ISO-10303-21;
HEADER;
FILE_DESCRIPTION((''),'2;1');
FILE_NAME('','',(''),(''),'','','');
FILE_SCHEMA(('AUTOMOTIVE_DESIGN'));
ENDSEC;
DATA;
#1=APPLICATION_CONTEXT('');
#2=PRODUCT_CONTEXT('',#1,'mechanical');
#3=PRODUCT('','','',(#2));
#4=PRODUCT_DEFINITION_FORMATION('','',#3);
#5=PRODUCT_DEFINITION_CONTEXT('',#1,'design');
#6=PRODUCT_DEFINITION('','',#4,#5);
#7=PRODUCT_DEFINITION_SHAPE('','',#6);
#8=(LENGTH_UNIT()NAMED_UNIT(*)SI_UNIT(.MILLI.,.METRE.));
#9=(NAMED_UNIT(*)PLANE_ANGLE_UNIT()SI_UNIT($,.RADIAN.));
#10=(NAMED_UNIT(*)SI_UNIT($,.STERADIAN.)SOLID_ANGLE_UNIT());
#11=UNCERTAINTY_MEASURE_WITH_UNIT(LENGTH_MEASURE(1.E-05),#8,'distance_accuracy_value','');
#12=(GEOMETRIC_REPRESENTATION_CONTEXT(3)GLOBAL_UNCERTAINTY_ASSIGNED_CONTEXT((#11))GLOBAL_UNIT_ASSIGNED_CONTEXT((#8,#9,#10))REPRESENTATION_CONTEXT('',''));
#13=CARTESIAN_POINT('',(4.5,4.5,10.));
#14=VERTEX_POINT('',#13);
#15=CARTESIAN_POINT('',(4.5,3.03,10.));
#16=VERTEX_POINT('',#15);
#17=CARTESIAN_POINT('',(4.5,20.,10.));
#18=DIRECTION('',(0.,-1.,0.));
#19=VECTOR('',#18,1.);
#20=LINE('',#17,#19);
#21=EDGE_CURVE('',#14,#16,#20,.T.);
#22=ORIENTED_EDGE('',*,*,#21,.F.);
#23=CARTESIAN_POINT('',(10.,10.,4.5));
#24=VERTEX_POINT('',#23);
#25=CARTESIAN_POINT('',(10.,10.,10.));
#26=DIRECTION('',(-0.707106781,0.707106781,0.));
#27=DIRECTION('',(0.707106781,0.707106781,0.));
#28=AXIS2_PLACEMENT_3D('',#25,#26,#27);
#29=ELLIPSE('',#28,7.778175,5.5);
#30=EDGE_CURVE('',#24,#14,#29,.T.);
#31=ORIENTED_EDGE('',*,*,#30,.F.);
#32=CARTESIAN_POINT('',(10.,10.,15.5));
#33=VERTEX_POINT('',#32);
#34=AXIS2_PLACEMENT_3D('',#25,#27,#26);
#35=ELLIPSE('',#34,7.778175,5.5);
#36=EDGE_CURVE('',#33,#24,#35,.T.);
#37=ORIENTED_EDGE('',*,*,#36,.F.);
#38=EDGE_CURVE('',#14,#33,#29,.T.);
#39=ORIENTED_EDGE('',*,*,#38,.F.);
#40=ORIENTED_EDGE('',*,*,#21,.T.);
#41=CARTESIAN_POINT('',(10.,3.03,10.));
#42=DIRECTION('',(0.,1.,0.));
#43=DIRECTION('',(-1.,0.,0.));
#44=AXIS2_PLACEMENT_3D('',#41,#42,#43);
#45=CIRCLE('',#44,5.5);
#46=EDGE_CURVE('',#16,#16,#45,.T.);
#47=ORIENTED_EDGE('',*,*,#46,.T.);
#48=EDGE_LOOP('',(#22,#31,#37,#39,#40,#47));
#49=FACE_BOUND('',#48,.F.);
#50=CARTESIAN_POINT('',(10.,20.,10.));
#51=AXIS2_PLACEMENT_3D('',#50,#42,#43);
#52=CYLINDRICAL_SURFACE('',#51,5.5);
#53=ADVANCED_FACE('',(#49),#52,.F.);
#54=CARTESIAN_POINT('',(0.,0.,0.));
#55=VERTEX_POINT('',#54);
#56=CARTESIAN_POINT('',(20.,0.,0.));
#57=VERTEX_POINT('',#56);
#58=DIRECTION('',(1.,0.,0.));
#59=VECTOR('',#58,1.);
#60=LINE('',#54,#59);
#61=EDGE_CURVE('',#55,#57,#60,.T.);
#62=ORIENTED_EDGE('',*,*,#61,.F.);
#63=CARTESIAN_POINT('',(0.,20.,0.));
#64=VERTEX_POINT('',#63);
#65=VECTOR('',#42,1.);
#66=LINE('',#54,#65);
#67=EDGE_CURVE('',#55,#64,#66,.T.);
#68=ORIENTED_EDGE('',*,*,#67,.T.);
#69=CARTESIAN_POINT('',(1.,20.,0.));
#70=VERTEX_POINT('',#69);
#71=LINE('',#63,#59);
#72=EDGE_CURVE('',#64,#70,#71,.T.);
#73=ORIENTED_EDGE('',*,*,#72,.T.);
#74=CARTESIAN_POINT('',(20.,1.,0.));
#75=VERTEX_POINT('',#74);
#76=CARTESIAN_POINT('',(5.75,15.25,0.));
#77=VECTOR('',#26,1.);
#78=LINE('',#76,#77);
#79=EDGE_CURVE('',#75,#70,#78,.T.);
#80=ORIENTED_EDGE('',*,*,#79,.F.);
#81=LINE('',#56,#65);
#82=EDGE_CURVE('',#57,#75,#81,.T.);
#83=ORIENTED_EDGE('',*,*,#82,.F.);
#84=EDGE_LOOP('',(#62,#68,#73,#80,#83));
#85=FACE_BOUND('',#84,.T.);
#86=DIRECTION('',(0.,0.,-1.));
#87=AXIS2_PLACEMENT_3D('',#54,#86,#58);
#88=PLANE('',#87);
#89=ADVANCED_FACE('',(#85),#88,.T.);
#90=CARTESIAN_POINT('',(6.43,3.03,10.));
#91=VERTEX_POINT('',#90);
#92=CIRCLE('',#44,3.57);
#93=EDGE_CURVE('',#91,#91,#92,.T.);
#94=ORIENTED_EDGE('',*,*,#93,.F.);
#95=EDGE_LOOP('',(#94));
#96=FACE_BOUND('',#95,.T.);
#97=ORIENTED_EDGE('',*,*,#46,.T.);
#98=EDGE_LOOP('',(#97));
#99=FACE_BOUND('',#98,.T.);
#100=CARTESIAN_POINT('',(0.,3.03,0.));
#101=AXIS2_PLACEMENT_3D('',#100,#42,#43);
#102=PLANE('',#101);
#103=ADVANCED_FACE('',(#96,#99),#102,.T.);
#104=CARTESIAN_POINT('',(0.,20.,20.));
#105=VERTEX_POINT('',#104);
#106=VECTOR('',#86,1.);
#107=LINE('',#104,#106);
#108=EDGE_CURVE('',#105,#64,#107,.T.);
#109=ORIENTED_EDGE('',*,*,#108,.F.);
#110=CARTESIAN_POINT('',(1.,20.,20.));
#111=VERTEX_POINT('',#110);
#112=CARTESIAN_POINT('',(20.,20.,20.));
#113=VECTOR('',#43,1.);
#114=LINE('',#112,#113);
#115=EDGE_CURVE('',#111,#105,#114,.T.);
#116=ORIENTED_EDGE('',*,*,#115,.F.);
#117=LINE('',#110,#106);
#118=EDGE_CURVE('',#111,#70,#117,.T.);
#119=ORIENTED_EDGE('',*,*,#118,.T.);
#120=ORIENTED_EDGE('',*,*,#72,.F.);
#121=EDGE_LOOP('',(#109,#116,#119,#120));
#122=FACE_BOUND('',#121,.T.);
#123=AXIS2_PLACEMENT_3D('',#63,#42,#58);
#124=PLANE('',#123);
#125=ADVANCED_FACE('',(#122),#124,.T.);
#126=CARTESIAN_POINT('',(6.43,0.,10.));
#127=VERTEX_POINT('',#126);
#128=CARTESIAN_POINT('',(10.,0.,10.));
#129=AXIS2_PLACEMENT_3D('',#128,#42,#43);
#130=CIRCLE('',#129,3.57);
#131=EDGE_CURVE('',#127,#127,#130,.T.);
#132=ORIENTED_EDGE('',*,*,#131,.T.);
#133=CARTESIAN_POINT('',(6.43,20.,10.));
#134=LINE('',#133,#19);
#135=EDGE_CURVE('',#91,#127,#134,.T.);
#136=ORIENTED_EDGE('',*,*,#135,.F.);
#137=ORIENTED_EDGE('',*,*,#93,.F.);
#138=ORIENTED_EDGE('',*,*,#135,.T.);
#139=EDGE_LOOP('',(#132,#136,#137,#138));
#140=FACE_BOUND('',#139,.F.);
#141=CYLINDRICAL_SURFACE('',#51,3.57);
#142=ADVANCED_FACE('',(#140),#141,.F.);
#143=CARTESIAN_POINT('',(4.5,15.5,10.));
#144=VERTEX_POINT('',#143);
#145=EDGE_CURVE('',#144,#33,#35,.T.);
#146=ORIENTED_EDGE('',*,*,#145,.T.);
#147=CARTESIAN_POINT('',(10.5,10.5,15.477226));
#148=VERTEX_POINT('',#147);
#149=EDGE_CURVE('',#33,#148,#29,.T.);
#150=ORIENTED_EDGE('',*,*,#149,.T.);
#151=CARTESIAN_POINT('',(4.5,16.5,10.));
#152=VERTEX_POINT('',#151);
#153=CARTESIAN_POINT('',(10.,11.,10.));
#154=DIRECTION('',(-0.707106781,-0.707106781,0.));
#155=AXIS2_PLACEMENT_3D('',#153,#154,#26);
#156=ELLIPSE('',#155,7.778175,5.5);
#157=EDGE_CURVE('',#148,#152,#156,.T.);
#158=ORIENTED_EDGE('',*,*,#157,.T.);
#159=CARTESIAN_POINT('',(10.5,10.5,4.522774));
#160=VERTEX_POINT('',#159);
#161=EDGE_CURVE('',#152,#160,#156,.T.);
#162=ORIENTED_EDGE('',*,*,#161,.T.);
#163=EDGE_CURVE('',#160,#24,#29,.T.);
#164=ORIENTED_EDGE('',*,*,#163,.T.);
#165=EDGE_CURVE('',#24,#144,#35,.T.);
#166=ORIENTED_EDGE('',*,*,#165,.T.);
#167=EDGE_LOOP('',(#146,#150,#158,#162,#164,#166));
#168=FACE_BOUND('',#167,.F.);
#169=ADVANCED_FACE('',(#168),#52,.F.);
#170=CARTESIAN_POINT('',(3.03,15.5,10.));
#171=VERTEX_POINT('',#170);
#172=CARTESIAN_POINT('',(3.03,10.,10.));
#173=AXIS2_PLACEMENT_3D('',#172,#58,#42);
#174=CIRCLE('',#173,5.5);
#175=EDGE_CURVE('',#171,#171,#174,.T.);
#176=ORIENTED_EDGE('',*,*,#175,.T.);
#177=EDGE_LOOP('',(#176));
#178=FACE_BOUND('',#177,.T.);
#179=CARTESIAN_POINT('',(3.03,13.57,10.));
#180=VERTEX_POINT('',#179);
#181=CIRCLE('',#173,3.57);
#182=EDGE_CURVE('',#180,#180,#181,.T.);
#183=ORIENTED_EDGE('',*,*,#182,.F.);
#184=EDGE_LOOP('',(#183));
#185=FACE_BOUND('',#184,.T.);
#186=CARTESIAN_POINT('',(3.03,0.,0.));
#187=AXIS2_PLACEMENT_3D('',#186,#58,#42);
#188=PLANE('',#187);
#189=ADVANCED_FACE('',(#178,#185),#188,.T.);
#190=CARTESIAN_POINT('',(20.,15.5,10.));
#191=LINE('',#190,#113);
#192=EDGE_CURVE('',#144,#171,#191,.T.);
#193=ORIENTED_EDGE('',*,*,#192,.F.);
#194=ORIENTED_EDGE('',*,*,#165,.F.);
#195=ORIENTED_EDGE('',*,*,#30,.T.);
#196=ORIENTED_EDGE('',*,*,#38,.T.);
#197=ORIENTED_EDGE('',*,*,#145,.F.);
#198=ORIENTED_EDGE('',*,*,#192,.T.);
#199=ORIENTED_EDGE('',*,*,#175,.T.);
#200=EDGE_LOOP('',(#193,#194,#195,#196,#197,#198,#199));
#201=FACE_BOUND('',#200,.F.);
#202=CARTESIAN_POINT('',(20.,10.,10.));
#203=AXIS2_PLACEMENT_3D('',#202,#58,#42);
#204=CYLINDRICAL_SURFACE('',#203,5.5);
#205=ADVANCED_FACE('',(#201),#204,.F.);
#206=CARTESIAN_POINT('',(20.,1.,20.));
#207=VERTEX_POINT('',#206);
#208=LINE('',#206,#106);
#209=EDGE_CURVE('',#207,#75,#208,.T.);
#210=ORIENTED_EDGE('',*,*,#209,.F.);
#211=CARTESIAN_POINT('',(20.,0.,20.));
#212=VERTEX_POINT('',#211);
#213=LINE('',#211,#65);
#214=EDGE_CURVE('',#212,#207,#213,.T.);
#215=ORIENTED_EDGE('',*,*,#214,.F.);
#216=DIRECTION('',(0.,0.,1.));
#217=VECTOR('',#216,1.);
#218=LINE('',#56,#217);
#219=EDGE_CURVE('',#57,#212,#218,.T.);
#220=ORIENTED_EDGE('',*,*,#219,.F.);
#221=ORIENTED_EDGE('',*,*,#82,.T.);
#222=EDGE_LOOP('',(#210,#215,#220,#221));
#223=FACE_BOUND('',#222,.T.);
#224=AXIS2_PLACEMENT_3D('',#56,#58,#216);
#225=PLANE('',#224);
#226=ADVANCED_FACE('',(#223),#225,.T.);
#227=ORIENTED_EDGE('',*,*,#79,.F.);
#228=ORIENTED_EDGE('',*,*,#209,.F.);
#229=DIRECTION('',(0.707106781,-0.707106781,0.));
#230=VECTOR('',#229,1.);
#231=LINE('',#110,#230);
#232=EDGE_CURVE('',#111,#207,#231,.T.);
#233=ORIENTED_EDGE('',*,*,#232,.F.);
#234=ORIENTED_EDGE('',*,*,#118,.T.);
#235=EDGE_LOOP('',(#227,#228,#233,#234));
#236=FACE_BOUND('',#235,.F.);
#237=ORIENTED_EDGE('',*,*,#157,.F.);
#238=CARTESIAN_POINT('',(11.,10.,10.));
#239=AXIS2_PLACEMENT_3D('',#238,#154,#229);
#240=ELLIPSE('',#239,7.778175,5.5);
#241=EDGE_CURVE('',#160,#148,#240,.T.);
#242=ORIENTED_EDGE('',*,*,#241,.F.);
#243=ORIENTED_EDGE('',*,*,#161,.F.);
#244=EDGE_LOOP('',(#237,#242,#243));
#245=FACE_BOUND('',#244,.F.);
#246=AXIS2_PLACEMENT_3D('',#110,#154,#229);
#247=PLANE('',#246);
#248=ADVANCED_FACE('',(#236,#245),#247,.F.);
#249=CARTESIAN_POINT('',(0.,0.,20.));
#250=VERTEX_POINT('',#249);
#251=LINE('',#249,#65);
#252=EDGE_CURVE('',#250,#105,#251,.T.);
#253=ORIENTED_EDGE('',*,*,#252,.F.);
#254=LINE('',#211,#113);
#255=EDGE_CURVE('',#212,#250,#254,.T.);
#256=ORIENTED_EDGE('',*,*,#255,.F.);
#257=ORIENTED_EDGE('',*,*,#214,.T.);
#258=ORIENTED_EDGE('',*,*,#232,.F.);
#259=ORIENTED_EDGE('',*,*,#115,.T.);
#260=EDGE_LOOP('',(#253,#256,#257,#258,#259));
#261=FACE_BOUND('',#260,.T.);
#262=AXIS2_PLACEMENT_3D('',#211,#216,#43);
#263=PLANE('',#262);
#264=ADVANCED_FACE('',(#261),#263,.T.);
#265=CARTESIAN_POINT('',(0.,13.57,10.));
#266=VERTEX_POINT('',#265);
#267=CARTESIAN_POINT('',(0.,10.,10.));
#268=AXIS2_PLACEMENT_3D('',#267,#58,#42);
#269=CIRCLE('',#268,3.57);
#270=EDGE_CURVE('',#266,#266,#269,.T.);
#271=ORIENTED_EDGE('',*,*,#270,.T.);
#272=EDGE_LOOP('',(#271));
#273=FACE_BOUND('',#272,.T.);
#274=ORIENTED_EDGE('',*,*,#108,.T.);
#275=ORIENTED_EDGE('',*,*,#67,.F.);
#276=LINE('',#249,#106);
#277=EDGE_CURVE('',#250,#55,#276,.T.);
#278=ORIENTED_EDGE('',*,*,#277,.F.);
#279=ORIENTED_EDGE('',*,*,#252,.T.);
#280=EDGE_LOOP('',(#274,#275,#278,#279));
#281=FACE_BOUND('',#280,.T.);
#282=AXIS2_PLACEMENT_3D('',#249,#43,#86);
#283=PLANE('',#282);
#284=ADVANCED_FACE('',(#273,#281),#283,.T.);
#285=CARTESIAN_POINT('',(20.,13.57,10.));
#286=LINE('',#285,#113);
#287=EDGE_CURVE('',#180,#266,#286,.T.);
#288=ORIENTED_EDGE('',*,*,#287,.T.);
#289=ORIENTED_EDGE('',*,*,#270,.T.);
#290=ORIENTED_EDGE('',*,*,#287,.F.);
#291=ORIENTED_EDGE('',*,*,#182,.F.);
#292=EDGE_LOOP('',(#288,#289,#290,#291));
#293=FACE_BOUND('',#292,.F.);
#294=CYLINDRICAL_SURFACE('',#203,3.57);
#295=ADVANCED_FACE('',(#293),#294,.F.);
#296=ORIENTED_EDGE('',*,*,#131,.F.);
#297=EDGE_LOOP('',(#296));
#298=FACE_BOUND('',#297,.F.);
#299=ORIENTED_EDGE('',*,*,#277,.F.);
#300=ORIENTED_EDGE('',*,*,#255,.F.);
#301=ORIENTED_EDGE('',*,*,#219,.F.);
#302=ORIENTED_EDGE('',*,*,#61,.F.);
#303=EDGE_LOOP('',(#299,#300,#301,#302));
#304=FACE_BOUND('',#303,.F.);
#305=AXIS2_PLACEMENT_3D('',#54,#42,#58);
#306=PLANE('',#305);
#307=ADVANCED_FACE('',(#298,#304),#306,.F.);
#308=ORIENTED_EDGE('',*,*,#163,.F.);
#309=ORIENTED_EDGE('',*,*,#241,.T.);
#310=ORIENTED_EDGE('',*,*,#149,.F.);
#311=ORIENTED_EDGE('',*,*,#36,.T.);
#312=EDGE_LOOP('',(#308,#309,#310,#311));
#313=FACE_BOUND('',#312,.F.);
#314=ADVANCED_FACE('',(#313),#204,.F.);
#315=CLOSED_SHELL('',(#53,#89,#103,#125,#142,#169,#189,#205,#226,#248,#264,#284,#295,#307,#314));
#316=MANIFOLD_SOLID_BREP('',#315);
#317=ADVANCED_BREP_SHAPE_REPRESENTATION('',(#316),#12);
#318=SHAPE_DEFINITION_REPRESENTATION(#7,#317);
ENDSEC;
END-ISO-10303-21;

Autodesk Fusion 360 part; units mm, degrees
sketch "Sketch1" plane through (0, 0, 0) normal (0, 1, 0) x (1, 0, 0)
  line L0 (0, 0) -> (20, 0)
  line L1 (20, 0) -> (20, -20)
  line L2 (20, -20) -> (0, -20)
  line L3 (0, -20) -> (0, 0)
  dimension "d2" = 20
  dimension "d3" = 20
extrude "Extrude4" add sketch "Sketch1" along normal blind 20 makes body 1
extrude "Extrude1" add sketch "Sketch1" along normal blind 20 separate body makes body 2
sketch "Sketch2" plane through (0, 20, 0) normal (0, 1, 0) x (-1, 0, 0)
  line L0 (0, 20) -> (-20, 20)
  line L1 (-20, 20) -> (-20, 0)
  line L2 (-20, 0) -> (0, 0)
  line L3 (0, 0) -> (0, 20)
  line L4 (-20, 20) -> (0, 0) construction
  line L5 (0, 20) -> (-20, 0) construction
  circle A0 centre (-10, 10) radius 3.57
  circle A1 centre (-10, 10) radius 5.5
  dimension "d6" = 7.14
  dimension "d19" = 11
sketch "Sketch5" plane through (0, 0, 0) normal (-1, 0, 0) x (0, -1, 0)
  line L0 (0, 0) -> (0, 20)
  line L1 (0, 20) -> (-20, 20)
  line L2 (-20, 20) -> (-20, 0)
  line L3 (-20, 0) -> (0, 0)
sketch "Sketch6" plane through (20, 0, 0) normal (1, 0, 0) x (0, 1, 0)
  line L0 (0, 20) -> (0, 0)
  line L1 (0, 0) -> (20, 0)
  line L2 (20, 0) -> (20, 20)
  line L3 (20, 20) -> (0, 20)
  line L4 (0, 20) -> (20, 0) construction
  line L5 (20, 20) -> (0, 0) construction
  circle A0 centre (10, 10) radius 3.57
  circle A1 centre (10, 10) radius 5.5
  dimension "d14" = 7.14
  dimension "d20" = 11
extrude "Extrude5" cut sketch "Sketch6" against normal blind 20 contours A0 bodies 1 2
extrude "Extrude6" cut sketch "Sketch2" against normal blind 20 contours A0 bodies 1 2
extrude "Extrude7" cut sketch "Sketch2" against normal blind 16.97 contours A1 bodies 1 2
extrude "Extrude8" cut sketch "Sketch6" against normal blind 16.97 contours A1 bodies 1 2
sketch "Sketch8" plane through (0, 0, 20) normal (0, 0, 1) x (-1, 0, 0)
  line L0 (0, 0) -> (-20, 0)
  line L1 (-20, 0) -> (-20, -20)
  line L2 (-20, -20) -> (0, -20)
  line L3 (0, -20) -> (0, 0)
  line L4 (-20, 0) -> (-19, 0)
  line L5 (0, -20) -> (0, -19)
  line L6 (-20, 0) -> (-20, -1)
  line L7 (0, -20) -> (-1, -20)
  line L8 (-1, -20) -> (-20, -1)
  dimension "d27" = 1
  dimension "d28" = 1
  dimension "d29" = 1
  dimension "d30" = 1
extrude "Extrude9" cut sketch "Sketch8" against normal blind 21 contours L1 L2 L8 bodies 1 2
sketch "Sketch3" plane through (0, 0, 0) normal (1, 0, 0) x (0, 1, 0)
sketch "Sketch4" plane through (0, 0, 0) normal (-1, 0, 0) x (0, -1, 0)
  line L0 (0, 0) -> (0, 20)
  line L1 (0, 20) -> (-20, 20)
  line L2 (-20, 20) -> (-20, 0)
  line L3 (-20, 0) -> (0, 0)
  line L4 (0, 0) -> (-20, 20) construction
  line L5 (0, 20) -> (-20, 0) construction
  circle A0 centre (-10, 10) radius 3.57
  dimension "d7" = 7.14
extrude "Extrude2" [suppressed]
extrude "Extrude3" [suppressed]
hidden bodies 1
equation "w = 20 mm"
